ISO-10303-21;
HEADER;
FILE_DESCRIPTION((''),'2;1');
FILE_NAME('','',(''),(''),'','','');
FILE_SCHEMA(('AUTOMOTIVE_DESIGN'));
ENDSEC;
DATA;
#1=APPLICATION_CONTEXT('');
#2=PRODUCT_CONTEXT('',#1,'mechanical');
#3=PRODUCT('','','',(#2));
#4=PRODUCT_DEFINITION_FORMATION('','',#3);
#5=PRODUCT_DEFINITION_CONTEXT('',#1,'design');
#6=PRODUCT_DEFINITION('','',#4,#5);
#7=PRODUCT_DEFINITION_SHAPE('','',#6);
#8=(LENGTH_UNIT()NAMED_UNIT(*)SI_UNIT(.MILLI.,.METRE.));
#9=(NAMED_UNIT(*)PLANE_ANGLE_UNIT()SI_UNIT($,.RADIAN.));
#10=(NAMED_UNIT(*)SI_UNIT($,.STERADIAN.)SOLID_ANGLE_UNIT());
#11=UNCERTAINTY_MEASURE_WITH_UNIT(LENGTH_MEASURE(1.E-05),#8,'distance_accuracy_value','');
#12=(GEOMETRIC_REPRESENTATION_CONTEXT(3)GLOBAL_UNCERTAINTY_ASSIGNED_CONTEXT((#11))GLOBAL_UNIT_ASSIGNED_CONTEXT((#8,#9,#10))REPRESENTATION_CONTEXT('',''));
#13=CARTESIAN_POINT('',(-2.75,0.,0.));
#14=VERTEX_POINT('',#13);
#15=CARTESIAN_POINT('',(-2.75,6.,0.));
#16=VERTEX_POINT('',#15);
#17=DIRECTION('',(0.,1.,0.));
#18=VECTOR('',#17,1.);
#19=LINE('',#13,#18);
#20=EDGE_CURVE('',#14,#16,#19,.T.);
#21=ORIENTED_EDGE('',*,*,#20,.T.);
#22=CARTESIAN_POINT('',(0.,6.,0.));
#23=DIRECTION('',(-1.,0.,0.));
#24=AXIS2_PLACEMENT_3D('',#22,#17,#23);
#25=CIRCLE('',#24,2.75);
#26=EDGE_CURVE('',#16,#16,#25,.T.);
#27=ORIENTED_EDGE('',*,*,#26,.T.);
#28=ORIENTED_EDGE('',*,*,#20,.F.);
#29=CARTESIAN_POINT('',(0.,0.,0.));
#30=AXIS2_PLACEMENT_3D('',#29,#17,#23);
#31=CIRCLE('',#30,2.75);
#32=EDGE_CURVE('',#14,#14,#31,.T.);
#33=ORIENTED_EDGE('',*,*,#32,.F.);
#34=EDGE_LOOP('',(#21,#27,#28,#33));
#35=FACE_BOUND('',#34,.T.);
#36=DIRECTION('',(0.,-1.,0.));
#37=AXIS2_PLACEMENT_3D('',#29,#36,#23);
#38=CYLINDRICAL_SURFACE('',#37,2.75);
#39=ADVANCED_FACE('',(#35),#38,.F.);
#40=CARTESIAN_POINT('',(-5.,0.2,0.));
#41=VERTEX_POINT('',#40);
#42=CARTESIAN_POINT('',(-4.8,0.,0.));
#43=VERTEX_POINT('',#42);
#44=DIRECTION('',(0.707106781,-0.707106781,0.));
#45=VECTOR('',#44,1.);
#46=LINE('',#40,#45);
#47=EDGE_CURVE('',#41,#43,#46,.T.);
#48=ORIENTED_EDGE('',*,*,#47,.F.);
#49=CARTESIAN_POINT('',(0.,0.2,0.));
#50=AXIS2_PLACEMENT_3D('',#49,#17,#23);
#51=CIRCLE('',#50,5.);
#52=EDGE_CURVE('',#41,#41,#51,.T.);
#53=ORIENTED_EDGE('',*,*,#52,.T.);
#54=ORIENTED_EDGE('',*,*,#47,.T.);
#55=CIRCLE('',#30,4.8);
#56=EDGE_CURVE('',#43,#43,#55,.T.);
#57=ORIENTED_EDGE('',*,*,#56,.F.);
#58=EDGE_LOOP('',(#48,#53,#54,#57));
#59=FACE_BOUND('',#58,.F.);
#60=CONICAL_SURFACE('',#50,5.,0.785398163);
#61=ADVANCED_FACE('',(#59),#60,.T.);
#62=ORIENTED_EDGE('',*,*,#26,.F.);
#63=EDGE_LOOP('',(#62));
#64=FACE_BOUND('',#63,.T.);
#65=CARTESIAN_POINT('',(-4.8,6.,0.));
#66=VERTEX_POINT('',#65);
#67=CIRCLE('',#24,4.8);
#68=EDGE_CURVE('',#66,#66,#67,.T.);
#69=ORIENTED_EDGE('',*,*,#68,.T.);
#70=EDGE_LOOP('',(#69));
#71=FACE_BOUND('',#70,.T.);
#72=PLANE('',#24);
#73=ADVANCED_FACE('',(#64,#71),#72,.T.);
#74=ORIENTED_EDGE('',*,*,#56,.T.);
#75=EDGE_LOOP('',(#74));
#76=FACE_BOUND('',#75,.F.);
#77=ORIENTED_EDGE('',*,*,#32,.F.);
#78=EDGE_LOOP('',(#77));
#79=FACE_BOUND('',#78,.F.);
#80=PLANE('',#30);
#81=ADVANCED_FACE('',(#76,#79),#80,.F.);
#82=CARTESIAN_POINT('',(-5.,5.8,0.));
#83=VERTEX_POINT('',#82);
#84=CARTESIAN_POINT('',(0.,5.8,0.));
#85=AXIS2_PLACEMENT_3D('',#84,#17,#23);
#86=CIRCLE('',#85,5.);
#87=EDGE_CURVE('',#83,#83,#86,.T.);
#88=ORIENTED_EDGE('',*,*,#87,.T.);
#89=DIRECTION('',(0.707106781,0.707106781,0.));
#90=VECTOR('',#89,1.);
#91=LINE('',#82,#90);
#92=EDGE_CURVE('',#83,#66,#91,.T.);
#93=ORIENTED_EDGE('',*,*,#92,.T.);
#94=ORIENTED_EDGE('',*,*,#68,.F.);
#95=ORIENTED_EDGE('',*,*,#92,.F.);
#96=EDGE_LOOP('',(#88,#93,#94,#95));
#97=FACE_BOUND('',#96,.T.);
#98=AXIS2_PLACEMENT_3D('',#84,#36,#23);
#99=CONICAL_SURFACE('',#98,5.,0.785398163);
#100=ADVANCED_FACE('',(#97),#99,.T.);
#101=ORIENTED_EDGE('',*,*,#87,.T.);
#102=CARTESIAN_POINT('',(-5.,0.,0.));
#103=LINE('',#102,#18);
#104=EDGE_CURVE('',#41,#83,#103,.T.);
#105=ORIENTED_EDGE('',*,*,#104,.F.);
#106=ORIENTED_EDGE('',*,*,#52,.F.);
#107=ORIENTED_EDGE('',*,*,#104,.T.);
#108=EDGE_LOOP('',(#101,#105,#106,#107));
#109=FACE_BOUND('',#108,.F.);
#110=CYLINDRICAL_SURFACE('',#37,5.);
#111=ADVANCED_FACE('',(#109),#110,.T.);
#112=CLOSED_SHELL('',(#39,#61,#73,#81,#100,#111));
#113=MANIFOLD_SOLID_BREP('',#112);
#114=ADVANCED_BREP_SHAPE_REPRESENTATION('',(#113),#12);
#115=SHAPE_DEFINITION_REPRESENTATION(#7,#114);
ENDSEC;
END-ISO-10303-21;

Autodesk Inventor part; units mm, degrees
ref_plane "YZ Plane" through (0, 0, 0) normal (1, 0, 0) x (0, 1, 0)
ref_plane "XZ Plane" through (0, 0, 0) normal (0, 1, 0) x (-1, 0, 0)
ref_plane "XY Plane" through (0, 0, 0) normal (0, 0, 1) x (1, 0, 0)
sketch "Sketch1" plane through (0, 0, 0) normal (0, 1, 0) x (-1, 0, 0)
  circle A0 centre (0, 0) radius 5
  circle A1 centre (0, 0) radius 2.75
  dimension "d0" = 10
  dimension "d1" = 5.5
extrude "Extrusion1" add sketch "Sketch1" along normal blind 6
chamfer "Chamfer1" distance 0.2 angle 45 2 edges at (5, 6, 0) (5, 0, 0)
properties part number "Aluminium Spacer 6mm" material "Aluminum 6061"
